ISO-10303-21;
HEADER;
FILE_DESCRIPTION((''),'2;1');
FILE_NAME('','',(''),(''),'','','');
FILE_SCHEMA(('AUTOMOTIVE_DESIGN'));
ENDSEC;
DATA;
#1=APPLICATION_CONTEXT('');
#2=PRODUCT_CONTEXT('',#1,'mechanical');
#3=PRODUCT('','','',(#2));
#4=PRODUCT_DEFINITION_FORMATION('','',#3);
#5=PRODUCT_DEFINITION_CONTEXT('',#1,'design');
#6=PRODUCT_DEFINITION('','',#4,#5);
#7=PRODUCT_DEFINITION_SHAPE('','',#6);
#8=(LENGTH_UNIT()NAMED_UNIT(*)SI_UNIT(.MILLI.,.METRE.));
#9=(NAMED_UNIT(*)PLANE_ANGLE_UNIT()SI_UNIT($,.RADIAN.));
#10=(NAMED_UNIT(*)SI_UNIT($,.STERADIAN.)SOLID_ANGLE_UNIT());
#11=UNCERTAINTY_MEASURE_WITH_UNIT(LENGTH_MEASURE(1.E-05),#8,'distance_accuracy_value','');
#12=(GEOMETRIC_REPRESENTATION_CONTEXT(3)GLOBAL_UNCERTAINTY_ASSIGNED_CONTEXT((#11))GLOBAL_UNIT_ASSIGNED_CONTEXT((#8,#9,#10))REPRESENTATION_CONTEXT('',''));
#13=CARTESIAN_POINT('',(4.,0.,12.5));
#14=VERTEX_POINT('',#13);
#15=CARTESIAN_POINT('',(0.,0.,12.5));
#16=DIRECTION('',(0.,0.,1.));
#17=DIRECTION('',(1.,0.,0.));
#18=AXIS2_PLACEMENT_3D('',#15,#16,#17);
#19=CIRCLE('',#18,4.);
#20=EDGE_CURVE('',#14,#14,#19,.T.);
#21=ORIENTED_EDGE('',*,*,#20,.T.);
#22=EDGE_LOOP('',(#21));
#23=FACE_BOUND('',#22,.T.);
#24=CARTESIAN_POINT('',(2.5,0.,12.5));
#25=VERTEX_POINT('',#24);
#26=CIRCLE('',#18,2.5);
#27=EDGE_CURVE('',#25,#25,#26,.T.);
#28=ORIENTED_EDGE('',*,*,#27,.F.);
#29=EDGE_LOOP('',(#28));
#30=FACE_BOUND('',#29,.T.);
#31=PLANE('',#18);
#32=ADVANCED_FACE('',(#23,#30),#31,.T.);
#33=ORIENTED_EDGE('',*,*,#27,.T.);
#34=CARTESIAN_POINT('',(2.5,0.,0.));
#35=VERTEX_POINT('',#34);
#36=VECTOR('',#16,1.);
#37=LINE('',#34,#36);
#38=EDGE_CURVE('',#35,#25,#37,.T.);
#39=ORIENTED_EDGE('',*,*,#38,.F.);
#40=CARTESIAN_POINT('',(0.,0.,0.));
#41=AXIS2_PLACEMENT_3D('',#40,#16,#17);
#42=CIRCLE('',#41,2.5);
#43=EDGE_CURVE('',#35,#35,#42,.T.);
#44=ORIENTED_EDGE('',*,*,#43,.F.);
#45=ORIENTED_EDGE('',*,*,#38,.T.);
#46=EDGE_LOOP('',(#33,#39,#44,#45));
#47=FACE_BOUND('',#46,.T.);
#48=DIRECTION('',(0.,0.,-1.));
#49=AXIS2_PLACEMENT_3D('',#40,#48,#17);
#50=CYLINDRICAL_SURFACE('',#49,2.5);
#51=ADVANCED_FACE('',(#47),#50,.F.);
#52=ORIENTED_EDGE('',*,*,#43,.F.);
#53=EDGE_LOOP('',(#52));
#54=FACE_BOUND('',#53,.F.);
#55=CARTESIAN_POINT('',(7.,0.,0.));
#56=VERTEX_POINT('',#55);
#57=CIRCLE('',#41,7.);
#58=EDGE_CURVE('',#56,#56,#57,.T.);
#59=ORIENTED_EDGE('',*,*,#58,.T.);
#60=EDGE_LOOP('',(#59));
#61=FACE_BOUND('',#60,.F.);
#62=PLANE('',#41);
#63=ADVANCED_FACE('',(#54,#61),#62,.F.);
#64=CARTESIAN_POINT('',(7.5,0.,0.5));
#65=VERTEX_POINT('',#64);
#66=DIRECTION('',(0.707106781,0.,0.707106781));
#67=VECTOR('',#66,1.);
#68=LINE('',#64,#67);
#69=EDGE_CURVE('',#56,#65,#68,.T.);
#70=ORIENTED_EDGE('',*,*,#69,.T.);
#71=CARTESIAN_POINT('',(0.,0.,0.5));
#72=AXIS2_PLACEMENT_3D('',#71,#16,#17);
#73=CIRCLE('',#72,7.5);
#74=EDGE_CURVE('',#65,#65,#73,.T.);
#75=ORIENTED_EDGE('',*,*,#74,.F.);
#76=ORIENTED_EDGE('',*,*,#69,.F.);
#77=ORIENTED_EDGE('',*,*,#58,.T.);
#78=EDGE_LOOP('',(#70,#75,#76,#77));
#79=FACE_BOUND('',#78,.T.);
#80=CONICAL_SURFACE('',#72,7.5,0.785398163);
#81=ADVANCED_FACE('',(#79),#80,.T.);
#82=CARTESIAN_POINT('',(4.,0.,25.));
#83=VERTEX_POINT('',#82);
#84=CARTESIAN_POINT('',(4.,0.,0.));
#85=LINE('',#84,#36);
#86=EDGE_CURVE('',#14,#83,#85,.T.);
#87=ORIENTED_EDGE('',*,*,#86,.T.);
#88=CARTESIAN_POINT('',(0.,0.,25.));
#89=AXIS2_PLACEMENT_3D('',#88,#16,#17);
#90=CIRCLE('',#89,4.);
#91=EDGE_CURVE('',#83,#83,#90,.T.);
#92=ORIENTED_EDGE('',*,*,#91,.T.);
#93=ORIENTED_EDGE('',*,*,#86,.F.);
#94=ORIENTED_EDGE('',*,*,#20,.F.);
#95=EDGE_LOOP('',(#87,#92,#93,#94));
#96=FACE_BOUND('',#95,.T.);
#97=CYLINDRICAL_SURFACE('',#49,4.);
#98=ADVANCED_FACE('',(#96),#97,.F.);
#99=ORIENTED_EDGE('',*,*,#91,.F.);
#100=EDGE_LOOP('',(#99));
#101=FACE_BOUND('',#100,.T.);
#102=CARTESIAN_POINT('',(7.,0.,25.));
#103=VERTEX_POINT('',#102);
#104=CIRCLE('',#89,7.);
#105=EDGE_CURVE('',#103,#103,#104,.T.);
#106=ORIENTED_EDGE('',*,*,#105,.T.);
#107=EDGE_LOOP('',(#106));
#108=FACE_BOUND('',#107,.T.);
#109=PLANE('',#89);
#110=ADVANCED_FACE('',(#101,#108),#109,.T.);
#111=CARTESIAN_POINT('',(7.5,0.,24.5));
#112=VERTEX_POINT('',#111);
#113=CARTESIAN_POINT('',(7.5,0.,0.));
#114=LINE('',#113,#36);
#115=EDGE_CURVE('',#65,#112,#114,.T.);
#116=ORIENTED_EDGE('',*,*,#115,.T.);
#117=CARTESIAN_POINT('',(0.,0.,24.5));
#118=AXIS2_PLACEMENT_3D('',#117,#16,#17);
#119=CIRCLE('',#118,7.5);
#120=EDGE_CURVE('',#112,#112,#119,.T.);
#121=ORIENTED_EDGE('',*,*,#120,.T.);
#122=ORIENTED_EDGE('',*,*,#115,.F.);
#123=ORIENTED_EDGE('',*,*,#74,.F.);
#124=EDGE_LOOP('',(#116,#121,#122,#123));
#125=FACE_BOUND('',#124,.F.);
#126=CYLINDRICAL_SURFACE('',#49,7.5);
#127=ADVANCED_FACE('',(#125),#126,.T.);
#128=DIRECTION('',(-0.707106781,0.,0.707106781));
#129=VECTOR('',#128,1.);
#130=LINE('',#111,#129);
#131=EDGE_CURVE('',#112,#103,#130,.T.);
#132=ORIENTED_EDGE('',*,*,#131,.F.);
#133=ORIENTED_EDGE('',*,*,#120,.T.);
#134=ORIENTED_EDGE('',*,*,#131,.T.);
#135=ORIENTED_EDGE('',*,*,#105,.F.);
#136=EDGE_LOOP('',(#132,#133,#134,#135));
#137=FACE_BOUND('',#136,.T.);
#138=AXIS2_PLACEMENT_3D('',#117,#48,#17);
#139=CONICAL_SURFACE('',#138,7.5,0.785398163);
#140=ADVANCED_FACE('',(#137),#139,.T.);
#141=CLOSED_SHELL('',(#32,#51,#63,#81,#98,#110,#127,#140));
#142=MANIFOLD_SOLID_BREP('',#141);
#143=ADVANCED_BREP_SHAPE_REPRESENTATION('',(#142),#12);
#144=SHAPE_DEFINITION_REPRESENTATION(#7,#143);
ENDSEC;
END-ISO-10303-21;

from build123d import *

# Parameters (mm, degrees)
F0_R     = 7.5
F0_R_2   = 4
F1_DEPTH = 25
F0_R_3   = 2.5
F2_DEPTH = 12.5
F3_DEPTH = 12.5
F4_SIZE  = 0.5


with BuildPart() as f1:
    # F0 (on Top) → F1 (new body)
    with BuildSketch(Plane.XY):
        Circle(F0_R)
        Circle(F0_R_2, mode=Mode.SUBTRACT)
    extrude(amount=F1_DEPTH)

    # F0 (on Top) → F2 (join)
    with BuildSketch(Plane.XY):
        Circle(F0_R_3)
        Circle(F0_R_2)
        Circle(F0_R_3, mode=Mode.SUBTRACT)
    extrude(amount=F2_DEPTH)

    # F0 (on Top) → F3 (cut)
    with BuildSketch(Plane.XY):
        Circle(F0_R_3)
    extrude(amount=F3_DEPTH, mode=Mode.SUBTRACT)

    # F4
    f4_edges = [f1.edges().sort_by_distance(p)[0] for p in [
        (-7.5, 0, 25),
        (-7.5, 0, 0),
    ]]
    chamfer(f4_edges, length=F4_SIZE)


solid = f1.part
